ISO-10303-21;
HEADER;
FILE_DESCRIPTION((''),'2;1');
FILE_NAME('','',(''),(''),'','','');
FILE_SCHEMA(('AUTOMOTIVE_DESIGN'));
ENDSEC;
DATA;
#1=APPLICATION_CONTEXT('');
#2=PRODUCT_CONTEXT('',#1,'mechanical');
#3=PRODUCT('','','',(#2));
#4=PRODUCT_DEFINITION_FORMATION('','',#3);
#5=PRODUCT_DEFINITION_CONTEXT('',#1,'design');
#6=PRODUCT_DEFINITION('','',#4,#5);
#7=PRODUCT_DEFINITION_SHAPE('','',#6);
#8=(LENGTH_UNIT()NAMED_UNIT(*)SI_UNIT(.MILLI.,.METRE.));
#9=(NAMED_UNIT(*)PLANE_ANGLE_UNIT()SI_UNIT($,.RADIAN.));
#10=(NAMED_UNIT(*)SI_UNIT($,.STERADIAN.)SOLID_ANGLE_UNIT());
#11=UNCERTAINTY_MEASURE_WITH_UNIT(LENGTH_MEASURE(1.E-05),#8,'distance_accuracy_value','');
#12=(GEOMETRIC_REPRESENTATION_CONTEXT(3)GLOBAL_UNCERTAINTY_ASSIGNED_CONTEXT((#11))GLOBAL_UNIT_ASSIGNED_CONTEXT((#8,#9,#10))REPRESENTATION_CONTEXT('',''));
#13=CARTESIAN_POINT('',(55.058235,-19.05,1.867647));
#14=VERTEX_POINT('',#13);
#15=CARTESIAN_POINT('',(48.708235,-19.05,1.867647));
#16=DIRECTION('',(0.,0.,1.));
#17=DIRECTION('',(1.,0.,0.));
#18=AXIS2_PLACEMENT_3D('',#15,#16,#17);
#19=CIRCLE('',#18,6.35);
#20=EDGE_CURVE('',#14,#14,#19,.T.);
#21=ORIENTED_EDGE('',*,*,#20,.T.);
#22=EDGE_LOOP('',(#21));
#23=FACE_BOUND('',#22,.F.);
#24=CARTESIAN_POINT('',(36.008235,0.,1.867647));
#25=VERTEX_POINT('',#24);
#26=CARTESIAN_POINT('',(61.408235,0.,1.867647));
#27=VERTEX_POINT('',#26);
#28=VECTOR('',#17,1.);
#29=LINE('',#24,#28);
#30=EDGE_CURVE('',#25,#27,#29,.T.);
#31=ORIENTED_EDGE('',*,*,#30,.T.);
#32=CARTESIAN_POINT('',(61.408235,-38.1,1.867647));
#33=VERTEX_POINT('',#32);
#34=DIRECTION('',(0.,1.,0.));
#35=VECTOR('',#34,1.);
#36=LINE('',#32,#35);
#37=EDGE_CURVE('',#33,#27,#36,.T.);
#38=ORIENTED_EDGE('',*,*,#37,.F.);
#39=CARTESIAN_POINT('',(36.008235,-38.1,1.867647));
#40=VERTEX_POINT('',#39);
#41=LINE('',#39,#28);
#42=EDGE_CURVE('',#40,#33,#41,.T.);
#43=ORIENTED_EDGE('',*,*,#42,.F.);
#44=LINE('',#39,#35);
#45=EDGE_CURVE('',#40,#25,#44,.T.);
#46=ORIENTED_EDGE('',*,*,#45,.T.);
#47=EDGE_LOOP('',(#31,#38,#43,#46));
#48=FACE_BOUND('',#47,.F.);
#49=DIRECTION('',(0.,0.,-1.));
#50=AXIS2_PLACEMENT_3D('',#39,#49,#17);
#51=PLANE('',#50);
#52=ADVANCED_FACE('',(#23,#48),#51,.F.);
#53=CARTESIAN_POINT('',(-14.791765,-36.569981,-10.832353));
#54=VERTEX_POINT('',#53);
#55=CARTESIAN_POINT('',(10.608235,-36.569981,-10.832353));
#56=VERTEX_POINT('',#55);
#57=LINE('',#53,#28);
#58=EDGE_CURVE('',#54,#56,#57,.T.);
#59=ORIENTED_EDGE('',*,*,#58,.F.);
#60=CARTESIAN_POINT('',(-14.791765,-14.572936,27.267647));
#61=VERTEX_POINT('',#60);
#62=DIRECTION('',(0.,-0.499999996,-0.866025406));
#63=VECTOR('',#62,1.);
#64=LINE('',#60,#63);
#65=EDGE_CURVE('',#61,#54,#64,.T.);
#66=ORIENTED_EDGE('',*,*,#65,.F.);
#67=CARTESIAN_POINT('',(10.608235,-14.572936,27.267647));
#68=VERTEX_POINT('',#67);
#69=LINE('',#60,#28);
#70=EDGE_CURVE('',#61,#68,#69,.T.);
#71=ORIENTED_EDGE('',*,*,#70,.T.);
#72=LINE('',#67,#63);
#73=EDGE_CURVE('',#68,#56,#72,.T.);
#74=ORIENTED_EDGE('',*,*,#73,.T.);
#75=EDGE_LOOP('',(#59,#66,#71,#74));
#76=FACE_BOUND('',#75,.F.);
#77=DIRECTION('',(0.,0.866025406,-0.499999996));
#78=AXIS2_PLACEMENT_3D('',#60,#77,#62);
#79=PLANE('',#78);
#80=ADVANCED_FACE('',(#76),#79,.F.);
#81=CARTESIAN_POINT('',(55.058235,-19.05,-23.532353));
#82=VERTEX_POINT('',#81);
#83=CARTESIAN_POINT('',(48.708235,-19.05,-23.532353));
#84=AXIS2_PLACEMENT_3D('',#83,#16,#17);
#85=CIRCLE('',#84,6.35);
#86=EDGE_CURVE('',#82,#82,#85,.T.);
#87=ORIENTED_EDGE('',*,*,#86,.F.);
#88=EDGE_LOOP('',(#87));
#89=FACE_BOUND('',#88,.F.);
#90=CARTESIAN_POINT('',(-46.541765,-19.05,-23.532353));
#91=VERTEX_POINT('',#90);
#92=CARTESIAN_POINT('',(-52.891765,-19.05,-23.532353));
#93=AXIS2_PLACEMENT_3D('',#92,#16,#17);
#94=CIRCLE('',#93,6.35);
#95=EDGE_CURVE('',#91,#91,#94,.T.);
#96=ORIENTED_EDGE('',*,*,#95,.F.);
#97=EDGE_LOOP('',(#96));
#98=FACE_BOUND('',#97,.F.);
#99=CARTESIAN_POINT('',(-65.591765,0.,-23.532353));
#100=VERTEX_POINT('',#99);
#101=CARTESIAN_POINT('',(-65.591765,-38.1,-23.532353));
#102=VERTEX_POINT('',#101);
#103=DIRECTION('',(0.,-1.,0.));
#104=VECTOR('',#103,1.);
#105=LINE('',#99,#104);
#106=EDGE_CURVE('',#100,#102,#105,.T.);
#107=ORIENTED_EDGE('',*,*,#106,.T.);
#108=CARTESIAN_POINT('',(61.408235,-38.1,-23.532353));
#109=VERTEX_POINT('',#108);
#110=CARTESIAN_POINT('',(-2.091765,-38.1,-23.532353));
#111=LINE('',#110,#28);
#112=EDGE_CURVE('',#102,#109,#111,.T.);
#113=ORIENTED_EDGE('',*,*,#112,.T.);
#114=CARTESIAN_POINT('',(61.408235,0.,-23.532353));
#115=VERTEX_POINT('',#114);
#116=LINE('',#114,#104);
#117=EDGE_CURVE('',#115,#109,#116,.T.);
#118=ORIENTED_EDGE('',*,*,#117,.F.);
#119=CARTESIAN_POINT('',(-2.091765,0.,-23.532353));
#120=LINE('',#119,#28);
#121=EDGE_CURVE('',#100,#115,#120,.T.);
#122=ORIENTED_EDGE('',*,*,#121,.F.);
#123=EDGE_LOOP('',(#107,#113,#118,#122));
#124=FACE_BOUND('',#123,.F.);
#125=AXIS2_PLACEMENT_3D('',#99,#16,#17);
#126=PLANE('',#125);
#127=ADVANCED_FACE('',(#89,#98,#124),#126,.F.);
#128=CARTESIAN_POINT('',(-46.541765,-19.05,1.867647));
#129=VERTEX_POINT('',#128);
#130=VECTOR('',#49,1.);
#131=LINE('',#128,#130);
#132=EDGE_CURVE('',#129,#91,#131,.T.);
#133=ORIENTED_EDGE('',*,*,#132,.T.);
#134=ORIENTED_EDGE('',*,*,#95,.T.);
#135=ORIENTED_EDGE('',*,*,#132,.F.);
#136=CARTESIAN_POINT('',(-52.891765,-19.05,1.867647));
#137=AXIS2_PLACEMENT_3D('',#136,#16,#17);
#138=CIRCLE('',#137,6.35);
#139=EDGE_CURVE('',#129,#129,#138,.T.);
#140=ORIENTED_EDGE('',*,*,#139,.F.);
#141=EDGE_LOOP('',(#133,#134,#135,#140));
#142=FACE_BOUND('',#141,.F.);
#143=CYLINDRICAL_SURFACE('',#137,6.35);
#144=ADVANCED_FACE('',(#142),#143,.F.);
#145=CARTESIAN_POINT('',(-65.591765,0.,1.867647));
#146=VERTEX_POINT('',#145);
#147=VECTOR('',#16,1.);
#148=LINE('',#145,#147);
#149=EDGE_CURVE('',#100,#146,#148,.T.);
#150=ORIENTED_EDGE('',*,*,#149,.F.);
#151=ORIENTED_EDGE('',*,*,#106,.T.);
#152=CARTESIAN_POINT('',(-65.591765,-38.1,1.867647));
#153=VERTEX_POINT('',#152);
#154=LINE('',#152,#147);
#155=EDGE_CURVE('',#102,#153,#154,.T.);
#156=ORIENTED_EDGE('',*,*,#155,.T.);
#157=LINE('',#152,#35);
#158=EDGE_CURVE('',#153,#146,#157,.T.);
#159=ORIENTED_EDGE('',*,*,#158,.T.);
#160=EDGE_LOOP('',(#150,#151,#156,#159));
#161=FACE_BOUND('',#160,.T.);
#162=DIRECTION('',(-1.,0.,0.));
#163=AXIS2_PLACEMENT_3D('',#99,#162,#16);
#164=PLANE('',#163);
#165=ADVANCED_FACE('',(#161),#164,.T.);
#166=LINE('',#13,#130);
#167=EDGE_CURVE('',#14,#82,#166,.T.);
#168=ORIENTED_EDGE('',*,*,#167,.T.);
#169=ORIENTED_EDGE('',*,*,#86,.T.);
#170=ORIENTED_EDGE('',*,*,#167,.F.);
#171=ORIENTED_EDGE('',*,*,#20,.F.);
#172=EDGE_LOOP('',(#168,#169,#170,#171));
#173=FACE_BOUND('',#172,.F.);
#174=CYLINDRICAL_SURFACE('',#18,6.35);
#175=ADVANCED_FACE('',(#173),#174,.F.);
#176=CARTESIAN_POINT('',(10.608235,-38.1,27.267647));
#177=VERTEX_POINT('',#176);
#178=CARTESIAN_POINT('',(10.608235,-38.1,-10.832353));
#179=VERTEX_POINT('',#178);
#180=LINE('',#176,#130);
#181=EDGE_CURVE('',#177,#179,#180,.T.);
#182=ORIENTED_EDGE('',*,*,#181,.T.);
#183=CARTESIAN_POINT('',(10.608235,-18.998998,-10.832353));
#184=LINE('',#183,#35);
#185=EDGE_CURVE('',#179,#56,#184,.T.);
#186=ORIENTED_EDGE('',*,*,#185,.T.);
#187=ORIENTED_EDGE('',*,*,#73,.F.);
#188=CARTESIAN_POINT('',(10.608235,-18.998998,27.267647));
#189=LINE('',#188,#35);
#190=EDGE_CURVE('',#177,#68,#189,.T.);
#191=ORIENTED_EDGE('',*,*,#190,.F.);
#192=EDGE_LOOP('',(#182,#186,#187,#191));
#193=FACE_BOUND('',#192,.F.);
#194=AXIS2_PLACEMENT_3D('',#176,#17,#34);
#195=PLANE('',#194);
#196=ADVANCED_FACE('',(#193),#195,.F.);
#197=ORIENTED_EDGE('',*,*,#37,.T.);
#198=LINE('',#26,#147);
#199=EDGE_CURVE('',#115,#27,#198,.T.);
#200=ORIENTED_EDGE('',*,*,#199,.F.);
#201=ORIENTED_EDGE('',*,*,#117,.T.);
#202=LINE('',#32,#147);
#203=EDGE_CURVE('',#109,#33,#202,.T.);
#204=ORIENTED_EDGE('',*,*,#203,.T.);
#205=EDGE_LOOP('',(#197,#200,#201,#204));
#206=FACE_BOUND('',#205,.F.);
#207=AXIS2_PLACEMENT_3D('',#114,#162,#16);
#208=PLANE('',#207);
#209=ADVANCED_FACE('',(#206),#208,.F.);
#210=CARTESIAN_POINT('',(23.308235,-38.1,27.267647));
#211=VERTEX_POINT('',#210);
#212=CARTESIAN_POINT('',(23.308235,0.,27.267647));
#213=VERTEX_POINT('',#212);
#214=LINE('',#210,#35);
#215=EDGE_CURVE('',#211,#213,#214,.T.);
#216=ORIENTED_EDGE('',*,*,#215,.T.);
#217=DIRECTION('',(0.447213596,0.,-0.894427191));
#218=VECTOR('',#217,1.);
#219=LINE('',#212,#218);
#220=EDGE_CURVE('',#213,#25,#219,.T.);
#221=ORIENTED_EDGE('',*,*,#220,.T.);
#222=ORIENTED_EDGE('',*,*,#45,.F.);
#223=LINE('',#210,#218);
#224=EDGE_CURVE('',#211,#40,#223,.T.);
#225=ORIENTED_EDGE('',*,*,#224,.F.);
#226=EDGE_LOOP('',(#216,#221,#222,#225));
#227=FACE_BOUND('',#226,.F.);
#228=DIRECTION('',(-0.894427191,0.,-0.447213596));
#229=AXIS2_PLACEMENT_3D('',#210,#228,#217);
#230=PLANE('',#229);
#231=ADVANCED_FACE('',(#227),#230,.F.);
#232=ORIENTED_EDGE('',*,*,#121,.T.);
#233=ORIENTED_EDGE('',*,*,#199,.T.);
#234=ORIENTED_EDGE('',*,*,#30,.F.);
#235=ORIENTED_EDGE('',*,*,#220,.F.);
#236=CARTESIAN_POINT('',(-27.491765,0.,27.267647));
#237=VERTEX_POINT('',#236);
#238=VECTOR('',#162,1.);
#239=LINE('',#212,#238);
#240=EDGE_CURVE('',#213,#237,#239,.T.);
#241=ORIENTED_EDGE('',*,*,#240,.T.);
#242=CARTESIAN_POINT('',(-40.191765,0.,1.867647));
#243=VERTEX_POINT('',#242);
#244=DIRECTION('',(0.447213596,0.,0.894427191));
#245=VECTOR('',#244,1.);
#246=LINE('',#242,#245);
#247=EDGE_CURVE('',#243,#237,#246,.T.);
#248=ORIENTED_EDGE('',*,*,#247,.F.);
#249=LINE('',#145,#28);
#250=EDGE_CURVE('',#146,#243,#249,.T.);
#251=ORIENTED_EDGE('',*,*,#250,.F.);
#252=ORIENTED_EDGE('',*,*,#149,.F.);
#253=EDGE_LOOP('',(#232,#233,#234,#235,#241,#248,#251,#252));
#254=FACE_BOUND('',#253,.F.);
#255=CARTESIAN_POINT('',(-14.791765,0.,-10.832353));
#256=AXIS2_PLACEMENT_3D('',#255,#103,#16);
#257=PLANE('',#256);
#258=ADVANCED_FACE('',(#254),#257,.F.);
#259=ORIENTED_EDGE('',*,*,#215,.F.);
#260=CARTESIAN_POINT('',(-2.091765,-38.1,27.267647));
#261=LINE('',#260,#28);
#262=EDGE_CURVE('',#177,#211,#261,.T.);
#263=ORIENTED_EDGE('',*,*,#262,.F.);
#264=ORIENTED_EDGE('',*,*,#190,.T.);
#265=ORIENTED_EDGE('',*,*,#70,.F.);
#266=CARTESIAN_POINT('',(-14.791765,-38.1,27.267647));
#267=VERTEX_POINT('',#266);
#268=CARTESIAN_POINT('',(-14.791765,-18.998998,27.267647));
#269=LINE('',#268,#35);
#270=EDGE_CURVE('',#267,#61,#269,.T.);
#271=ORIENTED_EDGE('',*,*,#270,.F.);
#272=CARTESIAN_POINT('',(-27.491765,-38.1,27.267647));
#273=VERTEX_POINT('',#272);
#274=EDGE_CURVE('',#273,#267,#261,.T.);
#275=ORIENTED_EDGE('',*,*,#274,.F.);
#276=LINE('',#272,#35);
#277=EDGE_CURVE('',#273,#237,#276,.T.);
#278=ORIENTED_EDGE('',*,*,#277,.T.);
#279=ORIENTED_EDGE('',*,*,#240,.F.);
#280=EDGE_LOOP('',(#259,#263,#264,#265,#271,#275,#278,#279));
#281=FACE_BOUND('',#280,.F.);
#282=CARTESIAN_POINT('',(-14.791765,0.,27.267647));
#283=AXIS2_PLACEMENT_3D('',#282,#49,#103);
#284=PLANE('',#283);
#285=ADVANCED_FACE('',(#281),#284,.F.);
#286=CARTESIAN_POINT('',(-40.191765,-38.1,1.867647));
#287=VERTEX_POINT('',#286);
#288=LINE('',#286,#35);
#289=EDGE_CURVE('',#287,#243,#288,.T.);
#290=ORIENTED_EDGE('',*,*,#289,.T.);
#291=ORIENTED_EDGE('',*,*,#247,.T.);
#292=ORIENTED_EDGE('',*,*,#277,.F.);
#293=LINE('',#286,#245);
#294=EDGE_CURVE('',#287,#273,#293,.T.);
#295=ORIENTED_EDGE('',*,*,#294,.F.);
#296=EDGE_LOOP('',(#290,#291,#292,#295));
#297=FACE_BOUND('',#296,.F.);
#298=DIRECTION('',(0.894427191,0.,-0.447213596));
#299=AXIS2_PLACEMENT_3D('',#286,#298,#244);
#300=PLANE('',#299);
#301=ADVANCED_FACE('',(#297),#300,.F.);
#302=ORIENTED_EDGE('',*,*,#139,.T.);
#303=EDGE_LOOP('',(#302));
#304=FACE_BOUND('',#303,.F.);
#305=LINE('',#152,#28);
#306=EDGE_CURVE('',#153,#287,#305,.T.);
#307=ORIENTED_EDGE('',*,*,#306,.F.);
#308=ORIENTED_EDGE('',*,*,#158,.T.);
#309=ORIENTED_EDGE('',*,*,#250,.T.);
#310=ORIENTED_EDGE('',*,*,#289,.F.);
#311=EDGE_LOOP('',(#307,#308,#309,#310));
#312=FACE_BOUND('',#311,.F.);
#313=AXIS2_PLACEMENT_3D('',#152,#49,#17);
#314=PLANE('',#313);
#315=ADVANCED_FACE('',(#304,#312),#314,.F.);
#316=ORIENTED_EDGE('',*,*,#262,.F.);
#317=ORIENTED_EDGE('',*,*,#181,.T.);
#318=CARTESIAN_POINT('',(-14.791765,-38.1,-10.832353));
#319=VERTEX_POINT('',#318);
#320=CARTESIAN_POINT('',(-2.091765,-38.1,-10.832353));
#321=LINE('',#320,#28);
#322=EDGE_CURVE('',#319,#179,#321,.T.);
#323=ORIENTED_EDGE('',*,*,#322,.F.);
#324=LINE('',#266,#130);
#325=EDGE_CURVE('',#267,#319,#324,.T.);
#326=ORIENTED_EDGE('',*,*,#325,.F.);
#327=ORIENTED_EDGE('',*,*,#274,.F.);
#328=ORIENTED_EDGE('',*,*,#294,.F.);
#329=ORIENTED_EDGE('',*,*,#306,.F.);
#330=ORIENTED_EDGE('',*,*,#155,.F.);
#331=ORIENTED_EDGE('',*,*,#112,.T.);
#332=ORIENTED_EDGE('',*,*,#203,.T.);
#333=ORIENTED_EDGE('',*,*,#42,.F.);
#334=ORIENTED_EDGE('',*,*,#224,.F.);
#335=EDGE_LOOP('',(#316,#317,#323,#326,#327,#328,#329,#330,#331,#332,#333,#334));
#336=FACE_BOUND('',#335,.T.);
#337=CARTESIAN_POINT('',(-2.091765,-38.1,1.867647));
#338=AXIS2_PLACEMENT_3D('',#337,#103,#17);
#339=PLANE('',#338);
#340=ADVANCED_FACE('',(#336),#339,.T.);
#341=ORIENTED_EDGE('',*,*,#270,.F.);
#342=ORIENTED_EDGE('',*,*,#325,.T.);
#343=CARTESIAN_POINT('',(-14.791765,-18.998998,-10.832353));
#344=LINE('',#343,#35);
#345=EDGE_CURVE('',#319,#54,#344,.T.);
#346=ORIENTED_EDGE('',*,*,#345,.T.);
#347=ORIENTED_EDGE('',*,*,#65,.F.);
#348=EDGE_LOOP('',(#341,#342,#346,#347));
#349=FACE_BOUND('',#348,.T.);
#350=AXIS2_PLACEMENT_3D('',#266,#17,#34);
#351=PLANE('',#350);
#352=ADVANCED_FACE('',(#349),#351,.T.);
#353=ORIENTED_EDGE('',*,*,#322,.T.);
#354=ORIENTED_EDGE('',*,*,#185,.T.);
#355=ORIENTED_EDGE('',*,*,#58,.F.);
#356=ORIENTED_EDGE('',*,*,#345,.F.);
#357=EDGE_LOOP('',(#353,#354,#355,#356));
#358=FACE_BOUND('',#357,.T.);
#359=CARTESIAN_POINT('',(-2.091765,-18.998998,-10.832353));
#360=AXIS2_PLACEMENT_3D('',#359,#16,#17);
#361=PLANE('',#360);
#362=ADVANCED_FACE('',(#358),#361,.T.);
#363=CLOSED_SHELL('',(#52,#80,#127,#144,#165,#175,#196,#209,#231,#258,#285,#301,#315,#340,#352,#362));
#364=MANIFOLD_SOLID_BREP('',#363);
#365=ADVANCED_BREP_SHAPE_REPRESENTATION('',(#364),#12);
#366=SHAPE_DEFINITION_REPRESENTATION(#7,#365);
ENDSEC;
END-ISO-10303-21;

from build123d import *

# Parameters (mm, degrees)
F0_W      = 127
F0_H      = 50.8
F1_DEPTH  = 38.1
F3_DEPTH  = 38.1
F4_R      = 6.35
F5_DEPTH  = 25.4
F6_R      = 6.35
F7_DEPTH  = 25.4
F8_W      = 25.4
F8_H      = 38.202004
F9_DEPTH  = 38.1
F11_DEPTH = 25.4


with BuildPart() as f1:
    # F0 (on Front) → F1 (new body)
    with BuildSketch(Plane.XZ):
        with Locations((-2.091765, 1.867647)):
            Rectangle(F0_W, F0_H)
    extrude(amount=F1_DEPTH)

    # F2 (on face) → F3 (cut)
    with BuildSketch(Plane.XZ.offset(38.1)):
        Polygon((36.008235, 1.867647), (61.408235, 1.867647), (61.408235, 27.267647), (23.308235, 27.267647), align=None)
        Polygon((-65.591765, 27.267647), (-65.591765, 1.867647), (-40.191765, 1.867647), (-27.491765, 27.267647), align=None)
    extrude(amount=-F3_DEPTH, mode=Mode.SUBTRACT)

    # F4 (on face) → F5 (cut)
    with BuildSketch(Plane.XY.offset(1.867647)):
        with Locations((48.708235, -19.05)):
            Circle(F4_R)
    extrude(amount=-F5_DEPTH, mode=Mode.SUBTRACT)

    # F6 (on face) → F7 (cut)
    with BuildSketch(Plane.XY.offset(1.867647)):
        with Locations((-52.891765, -19.05)):
            Circle(F6_R)
    extrude(amount=-F7_DEPTH, mode=Mode.SUBTRACT)

    # F8 (on face) → F9 (cut)
    with BuildSketch(Plane.XY.offset(27.267647)):
        with Locations((-2.091765, -18.998998)):
            Rectangle(F8_W, F8_H)
    extrude(amount=-F9_DEPTH, mode=Mode.SUBTRACT)

    # F10 (on face) → F11 (join)
    with BuildSketch(Plane.YZ.offset(-14.791765)):
        Polygon((-14.572936, 27.267647), (-36.569981, -10.832353), (0, -10.832353), (0, 27.267647), align=None)
    extrude(amount=F11_DEPTH)


solid = f1.part
